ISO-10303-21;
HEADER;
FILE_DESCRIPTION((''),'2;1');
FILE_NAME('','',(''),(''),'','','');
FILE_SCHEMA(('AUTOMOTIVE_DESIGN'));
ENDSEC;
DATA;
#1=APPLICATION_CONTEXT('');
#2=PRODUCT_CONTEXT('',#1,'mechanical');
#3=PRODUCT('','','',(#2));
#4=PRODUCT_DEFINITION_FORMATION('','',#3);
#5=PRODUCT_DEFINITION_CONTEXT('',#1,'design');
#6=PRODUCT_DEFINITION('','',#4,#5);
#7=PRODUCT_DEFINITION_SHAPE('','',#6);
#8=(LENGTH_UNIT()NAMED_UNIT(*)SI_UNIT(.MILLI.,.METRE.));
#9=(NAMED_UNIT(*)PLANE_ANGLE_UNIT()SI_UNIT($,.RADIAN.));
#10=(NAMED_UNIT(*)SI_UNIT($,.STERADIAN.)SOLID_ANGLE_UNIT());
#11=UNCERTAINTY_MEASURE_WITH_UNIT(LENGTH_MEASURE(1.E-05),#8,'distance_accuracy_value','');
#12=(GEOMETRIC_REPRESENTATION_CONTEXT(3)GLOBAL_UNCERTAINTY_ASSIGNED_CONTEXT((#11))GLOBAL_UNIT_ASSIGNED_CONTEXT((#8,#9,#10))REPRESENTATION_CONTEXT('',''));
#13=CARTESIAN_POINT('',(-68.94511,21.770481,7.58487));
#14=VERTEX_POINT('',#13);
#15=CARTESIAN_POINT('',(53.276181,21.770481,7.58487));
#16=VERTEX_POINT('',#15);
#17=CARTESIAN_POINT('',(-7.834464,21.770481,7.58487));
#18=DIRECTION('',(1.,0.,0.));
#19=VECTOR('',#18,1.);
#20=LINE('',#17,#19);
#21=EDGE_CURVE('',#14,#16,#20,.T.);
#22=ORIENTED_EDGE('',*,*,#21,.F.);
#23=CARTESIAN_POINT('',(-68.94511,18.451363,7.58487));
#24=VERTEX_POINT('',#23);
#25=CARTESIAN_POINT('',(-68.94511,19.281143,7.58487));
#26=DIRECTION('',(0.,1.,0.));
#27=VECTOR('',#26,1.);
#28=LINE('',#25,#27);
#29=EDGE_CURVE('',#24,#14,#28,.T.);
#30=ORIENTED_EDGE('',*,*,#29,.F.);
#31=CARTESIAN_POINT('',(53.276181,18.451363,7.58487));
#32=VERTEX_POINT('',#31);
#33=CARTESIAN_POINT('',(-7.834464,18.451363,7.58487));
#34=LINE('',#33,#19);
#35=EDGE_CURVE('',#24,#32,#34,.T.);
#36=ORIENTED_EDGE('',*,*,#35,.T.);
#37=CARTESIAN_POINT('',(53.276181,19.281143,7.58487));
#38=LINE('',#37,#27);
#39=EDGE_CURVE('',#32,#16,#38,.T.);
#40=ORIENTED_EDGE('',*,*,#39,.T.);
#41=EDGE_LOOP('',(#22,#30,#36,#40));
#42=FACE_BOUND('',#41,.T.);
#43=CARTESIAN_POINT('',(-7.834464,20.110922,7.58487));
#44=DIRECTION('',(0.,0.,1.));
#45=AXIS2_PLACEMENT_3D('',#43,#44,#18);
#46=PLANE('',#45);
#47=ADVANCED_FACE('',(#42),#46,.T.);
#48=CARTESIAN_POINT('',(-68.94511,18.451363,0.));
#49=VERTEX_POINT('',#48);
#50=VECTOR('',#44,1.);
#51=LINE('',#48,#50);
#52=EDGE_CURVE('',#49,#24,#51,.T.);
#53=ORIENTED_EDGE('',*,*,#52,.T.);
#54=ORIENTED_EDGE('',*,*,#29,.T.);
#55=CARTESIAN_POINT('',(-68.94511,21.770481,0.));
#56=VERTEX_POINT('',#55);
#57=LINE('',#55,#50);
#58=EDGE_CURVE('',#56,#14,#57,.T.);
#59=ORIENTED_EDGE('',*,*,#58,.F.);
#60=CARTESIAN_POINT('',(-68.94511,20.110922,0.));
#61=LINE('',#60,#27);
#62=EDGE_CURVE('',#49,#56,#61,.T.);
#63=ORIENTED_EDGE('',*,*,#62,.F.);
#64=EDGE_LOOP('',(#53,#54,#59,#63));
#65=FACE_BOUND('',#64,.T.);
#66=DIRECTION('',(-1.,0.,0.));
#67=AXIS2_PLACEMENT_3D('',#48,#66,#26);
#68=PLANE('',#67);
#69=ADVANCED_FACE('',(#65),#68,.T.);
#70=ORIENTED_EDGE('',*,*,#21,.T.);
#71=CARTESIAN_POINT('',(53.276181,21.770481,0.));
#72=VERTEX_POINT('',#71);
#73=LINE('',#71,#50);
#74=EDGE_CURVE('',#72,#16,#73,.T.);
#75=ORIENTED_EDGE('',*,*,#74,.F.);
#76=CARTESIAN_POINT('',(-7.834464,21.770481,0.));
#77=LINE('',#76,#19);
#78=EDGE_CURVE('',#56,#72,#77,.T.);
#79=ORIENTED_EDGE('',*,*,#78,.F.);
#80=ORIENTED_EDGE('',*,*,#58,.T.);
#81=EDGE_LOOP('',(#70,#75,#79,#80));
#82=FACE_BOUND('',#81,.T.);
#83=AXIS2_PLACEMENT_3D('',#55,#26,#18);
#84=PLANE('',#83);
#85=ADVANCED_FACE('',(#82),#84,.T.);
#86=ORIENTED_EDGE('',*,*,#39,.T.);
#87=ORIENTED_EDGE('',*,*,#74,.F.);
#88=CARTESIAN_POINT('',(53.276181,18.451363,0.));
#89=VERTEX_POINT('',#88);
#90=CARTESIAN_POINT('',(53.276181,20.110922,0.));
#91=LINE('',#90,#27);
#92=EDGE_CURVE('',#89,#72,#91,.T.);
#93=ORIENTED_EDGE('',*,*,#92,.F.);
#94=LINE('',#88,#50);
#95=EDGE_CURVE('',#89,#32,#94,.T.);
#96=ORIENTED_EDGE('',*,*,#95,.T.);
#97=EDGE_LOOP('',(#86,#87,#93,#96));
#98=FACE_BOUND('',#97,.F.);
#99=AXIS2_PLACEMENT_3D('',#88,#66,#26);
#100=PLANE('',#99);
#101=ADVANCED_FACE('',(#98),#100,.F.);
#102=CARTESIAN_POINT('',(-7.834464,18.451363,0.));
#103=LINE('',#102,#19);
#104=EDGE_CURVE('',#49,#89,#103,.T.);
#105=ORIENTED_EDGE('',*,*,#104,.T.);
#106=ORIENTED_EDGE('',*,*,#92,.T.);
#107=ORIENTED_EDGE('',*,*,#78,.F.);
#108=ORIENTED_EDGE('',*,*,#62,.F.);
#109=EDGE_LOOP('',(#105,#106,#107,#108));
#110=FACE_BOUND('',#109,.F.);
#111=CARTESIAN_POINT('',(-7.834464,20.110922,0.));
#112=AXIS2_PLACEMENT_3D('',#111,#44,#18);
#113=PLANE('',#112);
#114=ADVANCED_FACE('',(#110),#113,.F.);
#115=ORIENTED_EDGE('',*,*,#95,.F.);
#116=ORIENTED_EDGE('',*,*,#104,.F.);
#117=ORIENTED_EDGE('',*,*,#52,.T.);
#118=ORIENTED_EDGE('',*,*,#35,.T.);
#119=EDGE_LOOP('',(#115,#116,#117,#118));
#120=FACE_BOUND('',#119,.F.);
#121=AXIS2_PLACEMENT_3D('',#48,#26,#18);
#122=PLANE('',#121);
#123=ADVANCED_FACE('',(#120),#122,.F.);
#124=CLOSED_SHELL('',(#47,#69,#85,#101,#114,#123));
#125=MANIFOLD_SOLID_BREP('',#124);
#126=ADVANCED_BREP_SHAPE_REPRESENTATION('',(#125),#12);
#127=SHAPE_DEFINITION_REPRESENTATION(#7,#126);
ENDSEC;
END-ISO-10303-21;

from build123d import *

# Parameters (mm, degrees)
F0_W      = 122.221291
F0_H      = 3.319118
F1_DEPTH  = 25.4
F1_FACE_W = 122.221292
F1_FACE_H = 3.319118
F3_DEPTH  = 17.81513


with BuildPart() as f1:
    # F0 (on Top) → F1 (new body)
    with BuildSketch(Plane.XY):
        with Locations((-7.834464, 20.110922)):
            Rectangle(F0_W, F0_H)
    extrude(amount=F1_DEPTH)

    # F1_face (on face) → F3 (cut)
    with BuildSketch(Plane(origin=(-7.834464, 20.110922, 25.4), x_dir=(1, 0, 0), z_dir=(0, 0, 1))):
        Rectangle(F1_FACE_W, F1_FACE_H)
    extrude(amount=-F3_DEPTH, mode=Mode.SUBTRACT)


solid = f1.part
